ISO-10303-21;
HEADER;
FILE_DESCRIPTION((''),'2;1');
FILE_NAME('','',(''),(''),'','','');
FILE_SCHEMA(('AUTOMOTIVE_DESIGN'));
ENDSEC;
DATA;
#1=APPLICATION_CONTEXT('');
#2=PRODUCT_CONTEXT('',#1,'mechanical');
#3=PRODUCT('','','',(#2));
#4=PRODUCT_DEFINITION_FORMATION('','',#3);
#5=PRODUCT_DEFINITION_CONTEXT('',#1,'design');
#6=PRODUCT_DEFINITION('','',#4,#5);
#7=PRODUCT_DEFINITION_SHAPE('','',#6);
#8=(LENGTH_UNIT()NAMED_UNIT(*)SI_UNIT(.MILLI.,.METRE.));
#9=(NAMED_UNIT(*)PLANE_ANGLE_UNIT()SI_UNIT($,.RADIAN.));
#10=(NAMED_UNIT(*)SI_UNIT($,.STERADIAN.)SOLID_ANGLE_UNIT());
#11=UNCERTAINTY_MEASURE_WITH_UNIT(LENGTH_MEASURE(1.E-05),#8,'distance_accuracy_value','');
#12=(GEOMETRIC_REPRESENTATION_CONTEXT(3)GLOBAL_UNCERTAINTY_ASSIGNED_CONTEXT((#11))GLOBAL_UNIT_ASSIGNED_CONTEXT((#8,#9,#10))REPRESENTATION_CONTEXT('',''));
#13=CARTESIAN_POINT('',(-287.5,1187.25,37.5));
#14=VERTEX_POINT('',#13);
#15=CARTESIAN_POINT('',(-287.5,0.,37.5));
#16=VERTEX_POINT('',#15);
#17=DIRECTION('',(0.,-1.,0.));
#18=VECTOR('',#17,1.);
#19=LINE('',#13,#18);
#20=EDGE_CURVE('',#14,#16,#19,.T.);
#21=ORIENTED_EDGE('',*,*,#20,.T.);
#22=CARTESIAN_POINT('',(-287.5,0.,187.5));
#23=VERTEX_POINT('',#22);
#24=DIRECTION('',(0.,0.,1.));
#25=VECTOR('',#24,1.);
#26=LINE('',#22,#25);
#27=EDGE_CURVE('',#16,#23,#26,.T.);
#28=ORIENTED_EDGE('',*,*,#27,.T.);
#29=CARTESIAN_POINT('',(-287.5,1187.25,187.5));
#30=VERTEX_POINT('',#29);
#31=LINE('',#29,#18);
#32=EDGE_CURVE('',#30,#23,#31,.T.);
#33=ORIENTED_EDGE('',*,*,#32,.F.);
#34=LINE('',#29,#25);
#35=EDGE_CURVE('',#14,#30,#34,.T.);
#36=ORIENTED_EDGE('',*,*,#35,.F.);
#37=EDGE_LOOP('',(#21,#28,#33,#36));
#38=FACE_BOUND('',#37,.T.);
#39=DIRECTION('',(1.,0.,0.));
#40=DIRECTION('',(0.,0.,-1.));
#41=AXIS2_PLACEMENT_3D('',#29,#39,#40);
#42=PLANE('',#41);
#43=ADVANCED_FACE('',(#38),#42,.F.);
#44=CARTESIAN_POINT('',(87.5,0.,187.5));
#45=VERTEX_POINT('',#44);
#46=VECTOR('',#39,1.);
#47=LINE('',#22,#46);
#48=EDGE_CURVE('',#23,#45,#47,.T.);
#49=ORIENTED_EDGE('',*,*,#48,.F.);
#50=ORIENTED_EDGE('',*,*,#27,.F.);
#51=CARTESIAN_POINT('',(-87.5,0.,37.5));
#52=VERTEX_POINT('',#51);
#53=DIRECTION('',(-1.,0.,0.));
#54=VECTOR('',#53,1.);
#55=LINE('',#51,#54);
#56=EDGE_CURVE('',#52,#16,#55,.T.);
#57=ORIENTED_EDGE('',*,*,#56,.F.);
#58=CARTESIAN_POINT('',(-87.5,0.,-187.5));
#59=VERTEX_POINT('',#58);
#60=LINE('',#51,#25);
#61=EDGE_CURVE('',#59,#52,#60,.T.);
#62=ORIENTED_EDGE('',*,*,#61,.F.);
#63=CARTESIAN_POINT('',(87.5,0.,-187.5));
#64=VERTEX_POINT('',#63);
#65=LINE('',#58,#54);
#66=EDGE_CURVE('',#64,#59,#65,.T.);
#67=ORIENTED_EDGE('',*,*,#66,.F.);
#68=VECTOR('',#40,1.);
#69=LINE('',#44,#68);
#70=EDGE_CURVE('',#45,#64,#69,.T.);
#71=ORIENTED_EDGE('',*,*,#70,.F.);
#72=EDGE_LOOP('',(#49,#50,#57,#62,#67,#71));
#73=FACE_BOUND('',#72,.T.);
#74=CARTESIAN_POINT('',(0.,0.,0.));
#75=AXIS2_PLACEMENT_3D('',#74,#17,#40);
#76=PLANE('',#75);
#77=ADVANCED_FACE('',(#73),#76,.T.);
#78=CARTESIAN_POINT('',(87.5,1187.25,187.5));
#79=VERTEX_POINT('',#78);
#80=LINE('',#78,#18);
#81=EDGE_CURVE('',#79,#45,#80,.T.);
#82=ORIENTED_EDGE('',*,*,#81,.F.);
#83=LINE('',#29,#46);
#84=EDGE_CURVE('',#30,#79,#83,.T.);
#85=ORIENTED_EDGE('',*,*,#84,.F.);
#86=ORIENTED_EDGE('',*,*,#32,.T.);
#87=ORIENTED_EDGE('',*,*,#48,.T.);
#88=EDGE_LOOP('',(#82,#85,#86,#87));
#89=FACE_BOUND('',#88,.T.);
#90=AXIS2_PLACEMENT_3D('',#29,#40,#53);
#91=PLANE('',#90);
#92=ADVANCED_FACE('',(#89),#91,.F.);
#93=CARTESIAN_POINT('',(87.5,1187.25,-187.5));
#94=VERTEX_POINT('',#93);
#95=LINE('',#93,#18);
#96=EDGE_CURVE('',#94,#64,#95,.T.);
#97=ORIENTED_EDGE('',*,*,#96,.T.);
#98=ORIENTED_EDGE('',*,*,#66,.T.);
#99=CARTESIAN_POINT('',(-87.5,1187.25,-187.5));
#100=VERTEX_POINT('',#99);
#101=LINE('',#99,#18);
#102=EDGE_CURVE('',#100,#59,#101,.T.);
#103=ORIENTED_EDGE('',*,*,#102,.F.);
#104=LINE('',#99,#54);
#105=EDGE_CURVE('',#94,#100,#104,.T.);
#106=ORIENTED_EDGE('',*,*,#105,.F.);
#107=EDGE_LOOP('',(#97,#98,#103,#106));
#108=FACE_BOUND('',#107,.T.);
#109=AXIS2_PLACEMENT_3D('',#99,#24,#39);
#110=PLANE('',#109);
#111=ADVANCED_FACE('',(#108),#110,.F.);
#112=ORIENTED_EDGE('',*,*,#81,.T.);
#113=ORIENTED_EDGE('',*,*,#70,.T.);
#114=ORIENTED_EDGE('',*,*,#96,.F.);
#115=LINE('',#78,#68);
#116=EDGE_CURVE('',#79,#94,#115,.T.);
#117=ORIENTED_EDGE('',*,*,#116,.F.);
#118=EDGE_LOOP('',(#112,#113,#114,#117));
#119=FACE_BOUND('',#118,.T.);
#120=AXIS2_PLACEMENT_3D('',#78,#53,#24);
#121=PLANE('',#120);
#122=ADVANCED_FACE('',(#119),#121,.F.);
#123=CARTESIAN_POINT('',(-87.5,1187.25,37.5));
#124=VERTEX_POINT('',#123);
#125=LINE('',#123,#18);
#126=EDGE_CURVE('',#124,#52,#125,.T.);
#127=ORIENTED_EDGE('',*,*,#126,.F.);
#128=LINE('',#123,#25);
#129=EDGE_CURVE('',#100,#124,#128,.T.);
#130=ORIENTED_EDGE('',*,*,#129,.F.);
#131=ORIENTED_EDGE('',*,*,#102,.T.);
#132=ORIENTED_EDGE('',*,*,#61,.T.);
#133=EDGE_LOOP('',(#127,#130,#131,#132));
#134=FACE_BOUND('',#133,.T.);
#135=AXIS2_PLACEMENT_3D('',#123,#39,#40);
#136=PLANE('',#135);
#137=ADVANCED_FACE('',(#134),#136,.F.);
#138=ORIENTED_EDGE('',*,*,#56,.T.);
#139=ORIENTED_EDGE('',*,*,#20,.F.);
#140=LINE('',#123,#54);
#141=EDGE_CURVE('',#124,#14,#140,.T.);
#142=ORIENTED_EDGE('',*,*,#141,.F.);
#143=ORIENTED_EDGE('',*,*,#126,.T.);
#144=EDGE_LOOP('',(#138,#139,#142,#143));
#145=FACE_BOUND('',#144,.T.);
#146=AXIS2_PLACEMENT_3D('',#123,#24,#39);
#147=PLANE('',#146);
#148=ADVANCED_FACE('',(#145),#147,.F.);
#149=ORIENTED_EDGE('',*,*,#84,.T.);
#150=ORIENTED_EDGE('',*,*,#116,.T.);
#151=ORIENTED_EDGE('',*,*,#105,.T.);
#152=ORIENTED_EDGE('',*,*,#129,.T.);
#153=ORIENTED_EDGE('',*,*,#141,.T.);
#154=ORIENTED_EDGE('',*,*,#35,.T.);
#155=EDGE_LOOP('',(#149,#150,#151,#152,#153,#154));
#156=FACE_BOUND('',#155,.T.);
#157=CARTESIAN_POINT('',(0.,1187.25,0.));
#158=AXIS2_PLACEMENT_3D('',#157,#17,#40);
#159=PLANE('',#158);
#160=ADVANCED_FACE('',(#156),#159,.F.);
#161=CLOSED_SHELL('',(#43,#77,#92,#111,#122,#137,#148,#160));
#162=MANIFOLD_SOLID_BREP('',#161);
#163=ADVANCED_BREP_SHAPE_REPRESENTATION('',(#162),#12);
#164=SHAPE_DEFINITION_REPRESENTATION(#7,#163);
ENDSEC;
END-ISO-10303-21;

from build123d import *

# Parameters (mm, degrees)
BOSS_EXTRUDE1_DEPTH = 1187.25


with BuildPart() as part:
    # Sketch1 → Boss-Extrude1 (new body)
    with BuildSketch(Plane(origin=(0, 0, 0), x_dir=(1, 0, 0), z_dir=(0, 1, 0))):
        Polygon((-287.5, -187.5), (87.5, -187.5), (87.5, 187.5), (-87.5, 187.5), (-87.5, -37.5), (-287.5, -37.5), align=None)
    extrude(amount=BOSS_EXTRUDE1_DEPTH)


solid = part.part
